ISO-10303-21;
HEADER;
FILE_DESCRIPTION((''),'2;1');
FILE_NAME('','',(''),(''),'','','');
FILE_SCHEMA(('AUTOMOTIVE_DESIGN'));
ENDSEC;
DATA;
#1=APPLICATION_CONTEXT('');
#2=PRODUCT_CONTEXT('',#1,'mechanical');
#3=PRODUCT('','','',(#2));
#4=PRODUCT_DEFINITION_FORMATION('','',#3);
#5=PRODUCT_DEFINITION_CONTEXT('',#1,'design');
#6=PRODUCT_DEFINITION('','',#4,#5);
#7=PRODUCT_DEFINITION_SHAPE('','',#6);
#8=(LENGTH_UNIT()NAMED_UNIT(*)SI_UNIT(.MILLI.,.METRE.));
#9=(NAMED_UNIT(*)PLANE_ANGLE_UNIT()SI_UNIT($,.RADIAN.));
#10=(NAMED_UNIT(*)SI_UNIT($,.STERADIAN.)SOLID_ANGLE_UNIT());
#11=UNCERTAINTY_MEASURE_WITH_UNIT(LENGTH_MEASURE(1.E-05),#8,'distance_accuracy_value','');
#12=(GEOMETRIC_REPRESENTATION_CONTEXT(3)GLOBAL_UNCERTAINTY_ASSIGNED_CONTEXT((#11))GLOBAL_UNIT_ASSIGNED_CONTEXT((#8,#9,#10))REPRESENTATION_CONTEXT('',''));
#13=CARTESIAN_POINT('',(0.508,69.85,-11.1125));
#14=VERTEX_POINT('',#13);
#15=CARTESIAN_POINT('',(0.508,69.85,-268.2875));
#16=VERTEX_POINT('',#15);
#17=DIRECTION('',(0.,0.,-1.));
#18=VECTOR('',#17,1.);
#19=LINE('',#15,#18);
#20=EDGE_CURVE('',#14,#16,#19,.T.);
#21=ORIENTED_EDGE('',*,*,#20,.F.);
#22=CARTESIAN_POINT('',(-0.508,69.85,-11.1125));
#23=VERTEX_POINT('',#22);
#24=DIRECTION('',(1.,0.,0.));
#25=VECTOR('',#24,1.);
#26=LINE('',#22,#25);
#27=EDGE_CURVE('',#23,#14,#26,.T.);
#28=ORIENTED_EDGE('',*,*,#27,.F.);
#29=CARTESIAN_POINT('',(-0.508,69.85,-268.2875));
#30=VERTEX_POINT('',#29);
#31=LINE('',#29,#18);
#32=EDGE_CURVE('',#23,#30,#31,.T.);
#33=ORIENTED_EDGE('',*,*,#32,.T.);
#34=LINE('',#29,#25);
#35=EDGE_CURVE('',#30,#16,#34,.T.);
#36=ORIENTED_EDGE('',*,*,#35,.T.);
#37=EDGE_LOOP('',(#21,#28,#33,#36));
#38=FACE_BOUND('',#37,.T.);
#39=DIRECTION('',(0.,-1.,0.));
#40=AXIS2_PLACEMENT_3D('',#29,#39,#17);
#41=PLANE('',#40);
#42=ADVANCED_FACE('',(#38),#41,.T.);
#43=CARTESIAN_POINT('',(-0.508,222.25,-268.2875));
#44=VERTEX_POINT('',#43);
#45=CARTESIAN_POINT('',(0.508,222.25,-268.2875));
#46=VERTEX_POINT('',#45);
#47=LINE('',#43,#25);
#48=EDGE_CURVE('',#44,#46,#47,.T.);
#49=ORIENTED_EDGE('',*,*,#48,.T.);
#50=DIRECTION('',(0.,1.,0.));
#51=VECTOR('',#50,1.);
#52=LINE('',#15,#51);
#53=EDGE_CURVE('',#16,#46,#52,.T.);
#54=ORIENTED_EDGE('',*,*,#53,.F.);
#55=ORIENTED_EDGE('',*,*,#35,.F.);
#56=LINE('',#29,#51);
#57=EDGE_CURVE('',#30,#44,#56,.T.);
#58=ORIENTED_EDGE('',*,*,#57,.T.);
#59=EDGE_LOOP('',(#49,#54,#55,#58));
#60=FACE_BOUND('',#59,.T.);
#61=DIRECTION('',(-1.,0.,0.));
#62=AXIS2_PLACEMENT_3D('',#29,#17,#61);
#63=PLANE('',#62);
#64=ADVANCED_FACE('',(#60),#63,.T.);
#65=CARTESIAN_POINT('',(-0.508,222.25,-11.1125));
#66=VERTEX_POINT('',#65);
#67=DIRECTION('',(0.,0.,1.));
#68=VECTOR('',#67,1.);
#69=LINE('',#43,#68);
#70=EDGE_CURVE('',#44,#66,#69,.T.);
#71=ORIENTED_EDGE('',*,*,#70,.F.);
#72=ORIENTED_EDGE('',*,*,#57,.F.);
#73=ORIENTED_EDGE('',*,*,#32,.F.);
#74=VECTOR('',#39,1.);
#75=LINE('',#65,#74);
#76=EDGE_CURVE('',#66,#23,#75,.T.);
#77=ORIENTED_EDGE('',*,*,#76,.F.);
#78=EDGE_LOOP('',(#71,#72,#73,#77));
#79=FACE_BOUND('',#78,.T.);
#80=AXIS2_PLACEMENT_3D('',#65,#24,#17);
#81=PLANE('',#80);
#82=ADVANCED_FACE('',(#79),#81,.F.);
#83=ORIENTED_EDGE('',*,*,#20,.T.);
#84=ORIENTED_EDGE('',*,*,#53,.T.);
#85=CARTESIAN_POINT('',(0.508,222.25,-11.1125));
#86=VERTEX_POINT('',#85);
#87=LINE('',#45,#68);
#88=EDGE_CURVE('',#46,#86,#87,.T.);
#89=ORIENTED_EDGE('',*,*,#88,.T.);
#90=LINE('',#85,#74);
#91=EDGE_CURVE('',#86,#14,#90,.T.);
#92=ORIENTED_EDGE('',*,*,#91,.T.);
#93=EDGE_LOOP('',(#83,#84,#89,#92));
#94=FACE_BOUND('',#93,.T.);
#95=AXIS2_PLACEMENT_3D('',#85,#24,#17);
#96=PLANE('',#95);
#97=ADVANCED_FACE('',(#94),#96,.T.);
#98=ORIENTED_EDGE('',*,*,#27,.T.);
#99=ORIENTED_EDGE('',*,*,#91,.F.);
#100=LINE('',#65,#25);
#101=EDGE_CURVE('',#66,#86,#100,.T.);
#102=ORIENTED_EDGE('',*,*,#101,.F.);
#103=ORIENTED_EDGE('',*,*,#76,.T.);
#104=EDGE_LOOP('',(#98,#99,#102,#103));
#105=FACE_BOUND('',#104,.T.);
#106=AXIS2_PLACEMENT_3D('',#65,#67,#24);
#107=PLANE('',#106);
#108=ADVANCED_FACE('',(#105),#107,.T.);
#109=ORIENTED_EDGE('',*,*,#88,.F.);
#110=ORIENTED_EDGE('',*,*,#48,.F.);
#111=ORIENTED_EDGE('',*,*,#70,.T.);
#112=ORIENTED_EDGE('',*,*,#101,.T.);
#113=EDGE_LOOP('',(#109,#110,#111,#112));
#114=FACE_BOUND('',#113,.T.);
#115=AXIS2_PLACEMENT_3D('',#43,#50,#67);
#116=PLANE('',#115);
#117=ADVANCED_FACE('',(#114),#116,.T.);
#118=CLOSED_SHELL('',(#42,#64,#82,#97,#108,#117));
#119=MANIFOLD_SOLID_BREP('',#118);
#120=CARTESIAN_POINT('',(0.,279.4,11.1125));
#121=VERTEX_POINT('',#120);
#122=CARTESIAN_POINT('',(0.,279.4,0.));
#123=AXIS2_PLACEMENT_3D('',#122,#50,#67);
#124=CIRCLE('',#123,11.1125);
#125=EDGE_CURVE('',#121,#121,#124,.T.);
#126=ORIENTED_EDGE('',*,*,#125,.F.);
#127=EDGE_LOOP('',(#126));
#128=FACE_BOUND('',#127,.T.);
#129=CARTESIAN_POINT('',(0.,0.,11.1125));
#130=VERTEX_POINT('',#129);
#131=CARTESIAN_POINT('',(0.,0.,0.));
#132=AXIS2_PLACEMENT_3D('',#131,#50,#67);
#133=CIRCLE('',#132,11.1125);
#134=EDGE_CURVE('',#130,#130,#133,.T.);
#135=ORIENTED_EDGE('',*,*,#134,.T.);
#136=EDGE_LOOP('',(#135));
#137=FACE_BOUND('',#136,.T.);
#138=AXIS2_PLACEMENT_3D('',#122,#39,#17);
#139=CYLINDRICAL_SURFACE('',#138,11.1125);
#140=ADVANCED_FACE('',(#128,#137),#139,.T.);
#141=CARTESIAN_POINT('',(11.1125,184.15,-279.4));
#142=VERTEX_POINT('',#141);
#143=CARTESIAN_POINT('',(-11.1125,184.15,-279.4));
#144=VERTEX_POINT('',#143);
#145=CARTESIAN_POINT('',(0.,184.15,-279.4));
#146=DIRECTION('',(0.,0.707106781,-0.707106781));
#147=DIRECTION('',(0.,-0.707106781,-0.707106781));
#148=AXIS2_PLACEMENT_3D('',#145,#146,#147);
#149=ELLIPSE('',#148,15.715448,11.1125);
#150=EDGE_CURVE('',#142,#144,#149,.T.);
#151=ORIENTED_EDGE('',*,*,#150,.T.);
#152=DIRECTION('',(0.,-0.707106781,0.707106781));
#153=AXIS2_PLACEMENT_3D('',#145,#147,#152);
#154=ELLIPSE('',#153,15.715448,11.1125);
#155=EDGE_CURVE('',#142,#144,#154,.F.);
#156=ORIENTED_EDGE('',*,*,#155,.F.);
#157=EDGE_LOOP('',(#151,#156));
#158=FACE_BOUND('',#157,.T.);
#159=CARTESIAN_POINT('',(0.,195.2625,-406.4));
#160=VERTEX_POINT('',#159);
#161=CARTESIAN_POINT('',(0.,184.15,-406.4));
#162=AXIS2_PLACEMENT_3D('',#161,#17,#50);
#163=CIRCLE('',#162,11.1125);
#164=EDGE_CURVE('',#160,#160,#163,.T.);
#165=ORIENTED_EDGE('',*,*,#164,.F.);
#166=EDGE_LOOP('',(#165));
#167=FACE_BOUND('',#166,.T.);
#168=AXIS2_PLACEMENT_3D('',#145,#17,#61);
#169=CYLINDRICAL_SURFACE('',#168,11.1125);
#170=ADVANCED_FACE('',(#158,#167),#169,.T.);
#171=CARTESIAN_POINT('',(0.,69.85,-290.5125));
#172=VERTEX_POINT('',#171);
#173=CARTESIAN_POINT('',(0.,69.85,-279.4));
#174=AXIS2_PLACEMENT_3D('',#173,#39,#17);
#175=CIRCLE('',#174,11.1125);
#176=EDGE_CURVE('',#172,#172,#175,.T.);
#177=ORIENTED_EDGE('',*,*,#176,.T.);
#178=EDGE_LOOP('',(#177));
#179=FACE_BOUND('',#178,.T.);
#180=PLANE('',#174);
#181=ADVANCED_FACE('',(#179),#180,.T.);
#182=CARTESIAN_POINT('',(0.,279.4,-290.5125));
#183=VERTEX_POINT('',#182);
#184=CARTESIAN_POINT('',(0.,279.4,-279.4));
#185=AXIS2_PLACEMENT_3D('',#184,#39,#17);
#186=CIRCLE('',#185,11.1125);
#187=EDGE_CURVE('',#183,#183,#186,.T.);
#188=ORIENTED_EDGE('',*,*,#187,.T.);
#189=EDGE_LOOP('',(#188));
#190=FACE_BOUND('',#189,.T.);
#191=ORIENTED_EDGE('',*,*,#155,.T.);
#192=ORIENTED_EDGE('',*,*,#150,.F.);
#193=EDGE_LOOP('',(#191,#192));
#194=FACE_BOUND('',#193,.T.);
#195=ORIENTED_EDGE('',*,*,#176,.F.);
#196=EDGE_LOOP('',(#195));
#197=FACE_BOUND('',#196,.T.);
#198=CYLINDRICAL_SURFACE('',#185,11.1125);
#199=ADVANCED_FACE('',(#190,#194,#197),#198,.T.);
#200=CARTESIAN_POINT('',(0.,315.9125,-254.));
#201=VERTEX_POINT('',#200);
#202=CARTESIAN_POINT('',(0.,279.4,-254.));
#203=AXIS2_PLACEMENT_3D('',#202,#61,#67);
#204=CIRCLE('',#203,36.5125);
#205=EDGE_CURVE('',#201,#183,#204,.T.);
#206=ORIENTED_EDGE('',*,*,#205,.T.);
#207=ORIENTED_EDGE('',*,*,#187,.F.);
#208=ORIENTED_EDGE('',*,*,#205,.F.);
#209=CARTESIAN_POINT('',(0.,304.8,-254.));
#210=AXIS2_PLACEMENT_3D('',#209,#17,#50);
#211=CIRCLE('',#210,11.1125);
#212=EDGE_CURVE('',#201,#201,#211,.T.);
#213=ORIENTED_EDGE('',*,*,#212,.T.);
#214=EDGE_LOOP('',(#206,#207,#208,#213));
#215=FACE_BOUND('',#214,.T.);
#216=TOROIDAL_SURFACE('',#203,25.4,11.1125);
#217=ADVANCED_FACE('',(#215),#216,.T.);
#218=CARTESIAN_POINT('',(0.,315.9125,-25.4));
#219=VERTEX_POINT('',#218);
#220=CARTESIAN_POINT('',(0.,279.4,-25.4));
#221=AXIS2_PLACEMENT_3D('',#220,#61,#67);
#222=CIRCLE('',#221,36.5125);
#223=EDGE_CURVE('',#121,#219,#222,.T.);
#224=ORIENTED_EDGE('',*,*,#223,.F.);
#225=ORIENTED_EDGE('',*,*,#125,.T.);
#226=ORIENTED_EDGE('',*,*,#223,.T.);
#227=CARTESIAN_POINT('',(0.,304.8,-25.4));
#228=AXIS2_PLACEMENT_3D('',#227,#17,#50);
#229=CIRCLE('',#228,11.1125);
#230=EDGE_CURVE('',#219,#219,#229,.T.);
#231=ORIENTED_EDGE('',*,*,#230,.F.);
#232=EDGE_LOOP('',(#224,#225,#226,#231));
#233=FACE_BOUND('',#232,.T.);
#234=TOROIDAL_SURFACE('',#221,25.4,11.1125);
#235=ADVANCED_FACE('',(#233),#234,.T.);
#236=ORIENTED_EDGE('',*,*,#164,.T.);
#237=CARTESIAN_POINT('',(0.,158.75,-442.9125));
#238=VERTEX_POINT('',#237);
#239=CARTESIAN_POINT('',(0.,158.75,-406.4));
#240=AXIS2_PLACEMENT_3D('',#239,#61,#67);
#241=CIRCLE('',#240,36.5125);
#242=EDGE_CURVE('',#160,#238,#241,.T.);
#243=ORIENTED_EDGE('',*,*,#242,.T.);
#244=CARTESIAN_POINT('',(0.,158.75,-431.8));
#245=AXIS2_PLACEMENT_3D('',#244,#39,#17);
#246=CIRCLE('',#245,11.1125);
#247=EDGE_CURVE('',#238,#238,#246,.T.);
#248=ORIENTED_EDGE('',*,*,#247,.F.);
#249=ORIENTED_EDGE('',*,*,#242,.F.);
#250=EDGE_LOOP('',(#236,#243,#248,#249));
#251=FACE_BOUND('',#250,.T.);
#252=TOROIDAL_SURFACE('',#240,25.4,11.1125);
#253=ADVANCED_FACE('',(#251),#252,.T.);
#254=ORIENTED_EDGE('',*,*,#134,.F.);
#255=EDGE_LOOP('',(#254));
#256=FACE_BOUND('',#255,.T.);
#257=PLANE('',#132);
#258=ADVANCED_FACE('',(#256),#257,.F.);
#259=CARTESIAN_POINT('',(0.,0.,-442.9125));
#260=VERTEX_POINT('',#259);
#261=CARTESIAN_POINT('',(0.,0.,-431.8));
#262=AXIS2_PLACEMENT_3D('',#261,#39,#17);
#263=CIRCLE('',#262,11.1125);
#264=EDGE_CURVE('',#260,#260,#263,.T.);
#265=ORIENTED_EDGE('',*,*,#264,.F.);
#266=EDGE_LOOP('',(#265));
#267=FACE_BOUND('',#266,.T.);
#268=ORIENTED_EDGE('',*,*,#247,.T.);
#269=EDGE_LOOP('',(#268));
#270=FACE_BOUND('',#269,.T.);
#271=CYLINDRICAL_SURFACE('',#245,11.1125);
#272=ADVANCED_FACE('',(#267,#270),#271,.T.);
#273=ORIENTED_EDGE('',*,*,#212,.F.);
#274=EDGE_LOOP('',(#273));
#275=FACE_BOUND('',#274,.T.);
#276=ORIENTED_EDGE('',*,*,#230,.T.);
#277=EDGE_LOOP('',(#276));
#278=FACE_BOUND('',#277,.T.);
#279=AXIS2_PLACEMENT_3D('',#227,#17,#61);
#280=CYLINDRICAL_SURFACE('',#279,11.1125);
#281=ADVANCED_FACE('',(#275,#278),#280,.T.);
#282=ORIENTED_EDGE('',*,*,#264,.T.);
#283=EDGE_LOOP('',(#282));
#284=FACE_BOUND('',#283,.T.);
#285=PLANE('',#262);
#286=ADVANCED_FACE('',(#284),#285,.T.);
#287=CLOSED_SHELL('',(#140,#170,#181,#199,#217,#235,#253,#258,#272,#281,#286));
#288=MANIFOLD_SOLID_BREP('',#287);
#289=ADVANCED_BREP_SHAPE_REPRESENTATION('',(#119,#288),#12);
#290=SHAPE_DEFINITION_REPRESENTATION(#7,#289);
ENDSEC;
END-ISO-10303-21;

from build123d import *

# Parameters (mm, degrees)
SKETCH2_R                = 11.1125
SKETCH2_5_R              = 11.1125
BOSS_EXTRUDE1_DEPTH      = 0.508
BOSS_EXTRUDE1_DEPTH_BACK = 0.508
SKETCH3_W                = 257.175
SKETCH3_H                = 152.4


with BuildPart() as part:
    # Sweep1: sweep along a path in Sketch1
    with BuildLine(Plane(origin=(0, 0, 0), x_dir=(0, 0, -1), z_dir=(1, 0, 0))) as sweep1_path:
        Line((0, 0), (0, 279.4))
        ThreePointArc((0, 279.4), (7.439487758, 297.360512242), (25.4, 304.8))
        Line((25.4, 304.8), (254, 304.8))
        ThreePointArc((254, 304.8), (271.960512242, 297.360512242), (279.4, 279.4))
        Line((279.4, 279.4), (279.4, 184.15))
        Line((279.4, 184.15), (406.4, 184.15))
        ThreePointArc((406.4, 184.15), (424.360512242, 176.710512242), (431.8, 158.75))
        Line((431.8, 158.75), (431.8, 0))
    # Sketch2 → Sweep1 (sweep)
    with BuildSketch(Plane(origin=(0, 0, 0), x_dir=(1, 0, 0), z_dir=(0, 1, 0))):
        Circle(SKETCH2_R)
    sweep(path=sweep1_path.line, transition=Transition.RIGHT)

    # Sweep5: sweep along a path in Sketch1<9>
    with BuildLine(Plane(origin=(0, 0, 0), x_dir=(0, 0, -1), z_dir=(1, 0, 0))) as sweep5_path:
        Line((0, 0), (0, 279.4))
        ThreePointArc((0, 279.4), (7.439487758, 297.360512242), (25.4, 304.8))
        Line((25.4, 304.8), (254, 304.8))
        ThreePointArc((254, 304.8), (271.960512242, 297.360512242), (279.4, 279.4))
        Line((279.4, 279.4), (279.4, 184.15))
        Line((279.4, 184.15), (279.4, 69.85))
    # Sketch2<5> → Sweep5 (sweep)
    with BuildSketch(Plane(origin=(0, 0, 0), x_dir=(1, 0, 0), z_dir=(0, 1, 0))):
        Circle(SKETCH2_5_R)
    sweep(path=sweep5_path.line)


with BuildPart() as body_2:
    # Sketch3 → Boss-Extrude1 (new, two sides: drawn at the far end of the back side and taken through both)
    with BuildSketch(Plane(origin=(0, 0, 0), x_dir=(0, 0, -1), z_dir=(1, 0, 0)).offset(-BOSS_EXTRUDE1_DEPTH_BACK)):
        with Locations((139.7, 146.05)):
            Rectangle(SKETCH3_W, SKETCH3_H)
    extrude(amount=BOSS_EXTRUDE1_DEPTH + BOSS_EXTRUDE1_DEPTH_BACK)


solid = Compound([part.part, body_2.part])
